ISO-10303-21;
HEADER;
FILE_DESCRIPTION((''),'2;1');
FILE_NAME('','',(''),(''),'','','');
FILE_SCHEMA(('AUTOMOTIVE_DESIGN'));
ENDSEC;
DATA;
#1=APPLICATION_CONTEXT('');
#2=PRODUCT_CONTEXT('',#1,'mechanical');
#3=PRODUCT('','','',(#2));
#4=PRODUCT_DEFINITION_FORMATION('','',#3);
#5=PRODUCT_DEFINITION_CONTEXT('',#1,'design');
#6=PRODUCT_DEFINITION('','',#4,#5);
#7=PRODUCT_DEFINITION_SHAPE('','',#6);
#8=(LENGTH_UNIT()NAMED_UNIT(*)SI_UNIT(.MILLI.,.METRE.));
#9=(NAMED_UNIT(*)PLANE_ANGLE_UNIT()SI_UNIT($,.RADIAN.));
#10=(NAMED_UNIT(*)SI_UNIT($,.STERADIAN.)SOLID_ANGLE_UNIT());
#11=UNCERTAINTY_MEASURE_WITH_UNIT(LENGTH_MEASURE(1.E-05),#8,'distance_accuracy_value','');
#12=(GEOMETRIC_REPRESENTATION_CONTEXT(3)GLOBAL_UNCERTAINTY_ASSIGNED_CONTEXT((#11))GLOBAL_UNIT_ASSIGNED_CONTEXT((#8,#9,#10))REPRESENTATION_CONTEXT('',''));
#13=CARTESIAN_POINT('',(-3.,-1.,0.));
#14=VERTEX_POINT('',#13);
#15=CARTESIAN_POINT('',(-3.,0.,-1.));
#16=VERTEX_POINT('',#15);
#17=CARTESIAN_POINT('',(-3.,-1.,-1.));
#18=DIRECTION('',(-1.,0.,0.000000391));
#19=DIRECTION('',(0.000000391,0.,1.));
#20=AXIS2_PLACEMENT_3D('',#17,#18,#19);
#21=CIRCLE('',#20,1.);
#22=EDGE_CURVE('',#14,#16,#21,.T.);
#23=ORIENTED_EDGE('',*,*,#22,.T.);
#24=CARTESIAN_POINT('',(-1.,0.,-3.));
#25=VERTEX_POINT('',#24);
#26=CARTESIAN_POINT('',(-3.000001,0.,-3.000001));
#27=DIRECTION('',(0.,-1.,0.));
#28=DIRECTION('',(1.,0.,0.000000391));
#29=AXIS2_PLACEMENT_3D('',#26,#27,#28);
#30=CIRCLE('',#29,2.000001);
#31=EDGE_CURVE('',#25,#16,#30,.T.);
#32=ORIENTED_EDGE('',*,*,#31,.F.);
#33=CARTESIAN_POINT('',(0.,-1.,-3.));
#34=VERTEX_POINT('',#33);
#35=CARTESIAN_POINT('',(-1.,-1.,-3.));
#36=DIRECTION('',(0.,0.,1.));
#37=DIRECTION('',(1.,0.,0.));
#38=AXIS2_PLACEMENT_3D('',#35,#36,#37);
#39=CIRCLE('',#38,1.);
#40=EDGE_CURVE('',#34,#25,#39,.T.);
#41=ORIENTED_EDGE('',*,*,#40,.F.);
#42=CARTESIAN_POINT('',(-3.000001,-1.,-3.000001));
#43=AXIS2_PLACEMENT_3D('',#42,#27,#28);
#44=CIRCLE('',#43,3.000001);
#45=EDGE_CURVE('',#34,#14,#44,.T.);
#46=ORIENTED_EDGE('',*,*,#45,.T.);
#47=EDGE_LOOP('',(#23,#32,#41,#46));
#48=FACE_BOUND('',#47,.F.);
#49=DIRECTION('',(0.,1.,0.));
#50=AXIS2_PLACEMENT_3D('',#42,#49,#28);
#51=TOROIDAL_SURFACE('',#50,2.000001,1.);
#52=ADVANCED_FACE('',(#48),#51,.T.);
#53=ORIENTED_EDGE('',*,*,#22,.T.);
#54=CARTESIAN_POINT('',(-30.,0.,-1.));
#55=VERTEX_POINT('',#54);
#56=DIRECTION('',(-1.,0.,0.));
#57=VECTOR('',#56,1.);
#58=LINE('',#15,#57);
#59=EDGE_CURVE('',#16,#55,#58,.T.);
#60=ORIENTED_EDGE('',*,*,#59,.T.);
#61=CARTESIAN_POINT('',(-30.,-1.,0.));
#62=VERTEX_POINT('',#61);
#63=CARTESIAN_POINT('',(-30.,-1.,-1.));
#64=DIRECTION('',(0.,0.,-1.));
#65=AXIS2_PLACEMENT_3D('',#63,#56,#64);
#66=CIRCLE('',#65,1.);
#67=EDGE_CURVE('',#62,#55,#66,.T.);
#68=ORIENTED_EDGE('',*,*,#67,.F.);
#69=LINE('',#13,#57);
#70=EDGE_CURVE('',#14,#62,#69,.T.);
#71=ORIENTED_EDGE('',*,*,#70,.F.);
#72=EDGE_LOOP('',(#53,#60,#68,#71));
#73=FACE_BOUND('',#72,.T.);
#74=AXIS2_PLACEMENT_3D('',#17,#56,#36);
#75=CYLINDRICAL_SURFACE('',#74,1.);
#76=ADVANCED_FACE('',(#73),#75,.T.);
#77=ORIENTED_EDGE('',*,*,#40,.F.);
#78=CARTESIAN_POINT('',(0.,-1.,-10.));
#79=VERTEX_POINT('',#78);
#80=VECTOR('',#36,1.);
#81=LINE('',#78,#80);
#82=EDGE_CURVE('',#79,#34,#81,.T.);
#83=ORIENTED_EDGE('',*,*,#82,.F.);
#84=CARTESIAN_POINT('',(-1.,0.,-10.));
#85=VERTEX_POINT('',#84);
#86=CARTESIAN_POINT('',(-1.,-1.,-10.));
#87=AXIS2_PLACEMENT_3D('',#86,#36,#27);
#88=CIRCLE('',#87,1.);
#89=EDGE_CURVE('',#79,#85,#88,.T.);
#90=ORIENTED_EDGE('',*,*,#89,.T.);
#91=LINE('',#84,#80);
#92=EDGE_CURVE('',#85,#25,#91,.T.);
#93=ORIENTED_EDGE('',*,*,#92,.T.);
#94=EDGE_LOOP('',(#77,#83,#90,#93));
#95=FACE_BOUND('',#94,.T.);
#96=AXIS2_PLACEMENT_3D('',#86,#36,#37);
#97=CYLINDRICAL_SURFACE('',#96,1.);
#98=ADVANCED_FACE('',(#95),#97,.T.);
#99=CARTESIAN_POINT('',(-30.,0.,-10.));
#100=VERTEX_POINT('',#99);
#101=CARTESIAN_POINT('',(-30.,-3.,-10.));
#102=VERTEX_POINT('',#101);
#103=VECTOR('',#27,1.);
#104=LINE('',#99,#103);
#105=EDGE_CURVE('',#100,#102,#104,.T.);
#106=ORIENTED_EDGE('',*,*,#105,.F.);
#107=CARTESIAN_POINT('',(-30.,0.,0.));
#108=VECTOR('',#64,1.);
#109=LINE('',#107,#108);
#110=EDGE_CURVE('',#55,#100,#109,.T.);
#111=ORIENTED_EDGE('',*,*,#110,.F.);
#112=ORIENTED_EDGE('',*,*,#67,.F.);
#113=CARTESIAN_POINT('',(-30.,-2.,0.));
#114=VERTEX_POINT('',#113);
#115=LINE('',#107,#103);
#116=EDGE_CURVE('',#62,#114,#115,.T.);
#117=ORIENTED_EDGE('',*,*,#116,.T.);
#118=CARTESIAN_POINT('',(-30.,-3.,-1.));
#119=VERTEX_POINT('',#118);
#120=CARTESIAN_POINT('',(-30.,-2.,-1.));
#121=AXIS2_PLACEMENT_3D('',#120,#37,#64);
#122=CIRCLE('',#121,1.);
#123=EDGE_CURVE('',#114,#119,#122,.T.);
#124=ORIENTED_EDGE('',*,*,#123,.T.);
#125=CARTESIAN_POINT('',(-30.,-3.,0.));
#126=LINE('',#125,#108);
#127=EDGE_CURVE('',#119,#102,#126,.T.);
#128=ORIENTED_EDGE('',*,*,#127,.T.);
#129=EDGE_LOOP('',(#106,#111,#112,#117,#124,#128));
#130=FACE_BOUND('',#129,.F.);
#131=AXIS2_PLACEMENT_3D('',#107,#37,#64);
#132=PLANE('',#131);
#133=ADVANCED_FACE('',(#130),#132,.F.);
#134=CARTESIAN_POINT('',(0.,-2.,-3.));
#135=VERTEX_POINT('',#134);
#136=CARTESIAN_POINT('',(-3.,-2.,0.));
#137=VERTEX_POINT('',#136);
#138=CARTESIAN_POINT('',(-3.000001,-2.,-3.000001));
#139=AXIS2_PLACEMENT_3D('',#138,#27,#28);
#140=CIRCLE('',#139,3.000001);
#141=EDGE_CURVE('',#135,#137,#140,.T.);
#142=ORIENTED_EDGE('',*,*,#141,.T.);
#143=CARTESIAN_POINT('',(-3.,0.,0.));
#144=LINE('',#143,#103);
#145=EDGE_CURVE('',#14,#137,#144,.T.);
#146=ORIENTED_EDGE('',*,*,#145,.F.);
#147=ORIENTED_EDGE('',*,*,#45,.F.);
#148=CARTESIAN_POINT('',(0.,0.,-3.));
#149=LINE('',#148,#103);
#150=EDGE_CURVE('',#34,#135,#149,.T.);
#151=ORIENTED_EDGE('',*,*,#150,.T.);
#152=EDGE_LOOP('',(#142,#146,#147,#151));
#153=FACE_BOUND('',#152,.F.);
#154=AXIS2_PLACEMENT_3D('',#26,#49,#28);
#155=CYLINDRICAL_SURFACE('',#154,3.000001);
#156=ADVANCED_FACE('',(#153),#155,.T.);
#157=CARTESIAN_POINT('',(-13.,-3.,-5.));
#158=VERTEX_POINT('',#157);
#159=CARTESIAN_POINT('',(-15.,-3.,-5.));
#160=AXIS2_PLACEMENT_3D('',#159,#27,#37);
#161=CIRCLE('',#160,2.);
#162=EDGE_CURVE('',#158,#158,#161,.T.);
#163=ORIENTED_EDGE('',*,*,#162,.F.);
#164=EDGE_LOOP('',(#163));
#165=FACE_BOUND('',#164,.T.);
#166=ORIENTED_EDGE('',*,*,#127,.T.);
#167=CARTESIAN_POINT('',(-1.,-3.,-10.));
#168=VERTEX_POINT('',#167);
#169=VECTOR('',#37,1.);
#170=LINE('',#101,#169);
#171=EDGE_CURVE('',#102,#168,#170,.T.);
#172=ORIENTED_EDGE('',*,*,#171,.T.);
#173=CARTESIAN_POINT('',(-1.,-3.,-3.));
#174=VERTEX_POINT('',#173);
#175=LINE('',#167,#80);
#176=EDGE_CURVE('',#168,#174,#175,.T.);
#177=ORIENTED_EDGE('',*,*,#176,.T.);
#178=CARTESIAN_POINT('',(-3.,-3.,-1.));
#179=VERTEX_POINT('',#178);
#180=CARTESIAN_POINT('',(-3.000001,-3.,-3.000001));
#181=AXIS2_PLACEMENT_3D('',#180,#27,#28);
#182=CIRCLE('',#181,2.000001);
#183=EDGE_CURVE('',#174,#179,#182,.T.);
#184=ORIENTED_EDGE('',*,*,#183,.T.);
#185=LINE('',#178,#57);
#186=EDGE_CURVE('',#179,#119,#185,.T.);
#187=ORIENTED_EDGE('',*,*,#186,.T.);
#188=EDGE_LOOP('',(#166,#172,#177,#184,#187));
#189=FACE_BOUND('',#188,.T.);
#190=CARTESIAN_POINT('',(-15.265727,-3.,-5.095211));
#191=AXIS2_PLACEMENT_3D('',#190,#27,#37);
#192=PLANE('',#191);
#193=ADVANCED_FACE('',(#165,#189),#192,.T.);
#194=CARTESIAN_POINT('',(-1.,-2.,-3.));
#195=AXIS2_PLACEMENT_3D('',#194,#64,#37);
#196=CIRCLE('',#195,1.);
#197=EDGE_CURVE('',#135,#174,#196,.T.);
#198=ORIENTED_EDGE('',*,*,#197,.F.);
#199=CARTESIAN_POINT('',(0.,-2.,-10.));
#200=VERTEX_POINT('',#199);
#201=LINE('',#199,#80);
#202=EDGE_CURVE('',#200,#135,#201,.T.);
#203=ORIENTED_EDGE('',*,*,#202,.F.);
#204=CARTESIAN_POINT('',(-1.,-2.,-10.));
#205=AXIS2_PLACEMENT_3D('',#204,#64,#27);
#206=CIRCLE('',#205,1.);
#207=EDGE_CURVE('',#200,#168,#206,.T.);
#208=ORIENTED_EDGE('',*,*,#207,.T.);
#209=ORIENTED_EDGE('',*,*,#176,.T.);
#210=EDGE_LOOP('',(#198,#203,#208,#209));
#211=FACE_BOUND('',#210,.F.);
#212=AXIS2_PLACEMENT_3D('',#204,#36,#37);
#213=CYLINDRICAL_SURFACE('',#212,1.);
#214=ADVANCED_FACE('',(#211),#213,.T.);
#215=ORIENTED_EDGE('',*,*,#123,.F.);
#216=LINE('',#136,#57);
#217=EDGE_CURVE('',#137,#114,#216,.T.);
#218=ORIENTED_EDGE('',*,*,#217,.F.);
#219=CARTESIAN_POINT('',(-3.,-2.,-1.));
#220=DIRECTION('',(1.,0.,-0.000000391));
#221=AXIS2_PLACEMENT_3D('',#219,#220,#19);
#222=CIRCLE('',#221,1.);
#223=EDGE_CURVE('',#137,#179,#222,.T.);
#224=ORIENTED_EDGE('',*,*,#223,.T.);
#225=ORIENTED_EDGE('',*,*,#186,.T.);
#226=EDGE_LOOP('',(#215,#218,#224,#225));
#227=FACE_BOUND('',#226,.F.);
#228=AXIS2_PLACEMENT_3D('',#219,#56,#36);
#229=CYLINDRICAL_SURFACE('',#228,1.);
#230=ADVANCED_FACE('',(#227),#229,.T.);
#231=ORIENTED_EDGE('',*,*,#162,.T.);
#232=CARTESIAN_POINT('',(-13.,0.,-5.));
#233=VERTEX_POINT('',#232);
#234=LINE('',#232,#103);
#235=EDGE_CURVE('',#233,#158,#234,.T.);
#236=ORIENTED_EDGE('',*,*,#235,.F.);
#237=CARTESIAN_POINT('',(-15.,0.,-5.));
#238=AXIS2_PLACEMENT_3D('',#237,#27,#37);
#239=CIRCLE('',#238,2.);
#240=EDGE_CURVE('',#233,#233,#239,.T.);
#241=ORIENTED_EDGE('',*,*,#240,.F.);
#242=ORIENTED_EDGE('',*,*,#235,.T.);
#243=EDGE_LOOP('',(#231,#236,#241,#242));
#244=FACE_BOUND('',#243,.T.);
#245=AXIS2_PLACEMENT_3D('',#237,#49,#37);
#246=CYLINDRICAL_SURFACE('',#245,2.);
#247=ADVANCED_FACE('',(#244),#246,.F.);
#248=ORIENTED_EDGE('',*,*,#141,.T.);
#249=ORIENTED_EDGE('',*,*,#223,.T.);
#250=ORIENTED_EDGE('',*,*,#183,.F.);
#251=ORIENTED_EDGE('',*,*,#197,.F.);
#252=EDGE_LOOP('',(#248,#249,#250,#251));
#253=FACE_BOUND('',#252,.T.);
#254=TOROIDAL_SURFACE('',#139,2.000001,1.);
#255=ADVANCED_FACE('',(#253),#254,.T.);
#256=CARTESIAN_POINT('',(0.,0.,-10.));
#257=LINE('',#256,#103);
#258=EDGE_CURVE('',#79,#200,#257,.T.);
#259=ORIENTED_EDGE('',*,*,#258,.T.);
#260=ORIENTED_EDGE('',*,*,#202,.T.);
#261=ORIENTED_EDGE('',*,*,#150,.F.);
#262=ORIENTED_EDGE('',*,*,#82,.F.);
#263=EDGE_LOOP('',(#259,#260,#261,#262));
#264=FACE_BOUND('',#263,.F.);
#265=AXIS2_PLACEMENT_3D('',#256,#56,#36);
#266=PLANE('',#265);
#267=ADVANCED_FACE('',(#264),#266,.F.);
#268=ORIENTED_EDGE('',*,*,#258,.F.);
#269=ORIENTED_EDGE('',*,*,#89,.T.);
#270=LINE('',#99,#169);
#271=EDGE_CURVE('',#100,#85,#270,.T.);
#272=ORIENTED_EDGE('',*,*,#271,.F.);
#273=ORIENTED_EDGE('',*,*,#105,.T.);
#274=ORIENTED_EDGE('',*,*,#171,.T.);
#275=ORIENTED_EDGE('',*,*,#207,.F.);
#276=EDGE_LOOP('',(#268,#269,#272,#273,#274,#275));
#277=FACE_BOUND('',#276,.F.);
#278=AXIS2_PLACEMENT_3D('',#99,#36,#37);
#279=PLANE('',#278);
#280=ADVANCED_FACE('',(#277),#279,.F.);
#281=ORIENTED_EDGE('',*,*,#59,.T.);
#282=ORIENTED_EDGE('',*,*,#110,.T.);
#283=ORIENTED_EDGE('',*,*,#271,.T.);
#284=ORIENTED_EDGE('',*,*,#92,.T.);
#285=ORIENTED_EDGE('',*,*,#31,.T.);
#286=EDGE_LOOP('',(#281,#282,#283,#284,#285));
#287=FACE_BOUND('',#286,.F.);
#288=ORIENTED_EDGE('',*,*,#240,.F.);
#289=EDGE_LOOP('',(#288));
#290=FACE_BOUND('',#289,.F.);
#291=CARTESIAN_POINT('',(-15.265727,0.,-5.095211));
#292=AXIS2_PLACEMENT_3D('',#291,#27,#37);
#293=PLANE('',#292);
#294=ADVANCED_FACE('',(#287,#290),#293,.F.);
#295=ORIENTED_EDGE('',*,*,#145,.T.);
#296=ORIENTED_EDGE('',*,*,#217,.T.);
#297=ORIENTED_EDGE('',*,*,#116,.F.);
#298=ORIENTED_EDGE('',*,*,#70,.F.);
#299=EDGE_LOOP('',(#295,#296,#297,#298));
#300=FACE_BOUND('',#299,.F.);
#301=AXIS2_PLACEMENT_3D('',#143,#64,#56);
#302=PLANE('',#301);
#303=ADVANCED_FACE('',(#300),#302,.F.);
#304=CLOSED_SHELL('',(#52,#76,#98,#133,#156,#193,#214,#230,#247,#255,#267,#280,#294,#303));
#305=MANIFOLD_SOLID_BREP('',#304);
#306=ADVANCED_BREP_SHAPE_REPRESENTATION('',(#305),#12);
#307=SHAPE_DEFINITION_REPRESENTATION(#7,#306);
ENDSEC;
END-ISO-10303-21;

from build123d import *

# Parameters (mm, degrees)
F0_R     = 2
F1_DEPTH = 3
F2_R     = 1


with BuildPart() as f1:
    # F0 (on Front) → F1 (new body)
    with BuildSketch(Plane.XZ):
        with BuildLine():
            ThreePointArc((0, -3), (-0.87868, -0.87868), (-3, 0))
            Line((-3, 0), (-30, 0))
            Line((-30, 0), (-30, -10))
            Line((-30, -10), (0, -10))
            Line((0, -10), (0, -3))
        make_face()
        with Locations((-15, -5)):
            Circle(F0_R, mode=Mode.SUBTRACT)
    extrude(amount=F1_DEPTH)

    # F2
    f2_edges = [f1.edges().sort_by_distance(p)[0] for p in [
        (-16.5, -3, 0),
        (-16.5, 0, 0),
    ]]
    fillet(f2_edges, radius=F2_R)


solid = f1.part
